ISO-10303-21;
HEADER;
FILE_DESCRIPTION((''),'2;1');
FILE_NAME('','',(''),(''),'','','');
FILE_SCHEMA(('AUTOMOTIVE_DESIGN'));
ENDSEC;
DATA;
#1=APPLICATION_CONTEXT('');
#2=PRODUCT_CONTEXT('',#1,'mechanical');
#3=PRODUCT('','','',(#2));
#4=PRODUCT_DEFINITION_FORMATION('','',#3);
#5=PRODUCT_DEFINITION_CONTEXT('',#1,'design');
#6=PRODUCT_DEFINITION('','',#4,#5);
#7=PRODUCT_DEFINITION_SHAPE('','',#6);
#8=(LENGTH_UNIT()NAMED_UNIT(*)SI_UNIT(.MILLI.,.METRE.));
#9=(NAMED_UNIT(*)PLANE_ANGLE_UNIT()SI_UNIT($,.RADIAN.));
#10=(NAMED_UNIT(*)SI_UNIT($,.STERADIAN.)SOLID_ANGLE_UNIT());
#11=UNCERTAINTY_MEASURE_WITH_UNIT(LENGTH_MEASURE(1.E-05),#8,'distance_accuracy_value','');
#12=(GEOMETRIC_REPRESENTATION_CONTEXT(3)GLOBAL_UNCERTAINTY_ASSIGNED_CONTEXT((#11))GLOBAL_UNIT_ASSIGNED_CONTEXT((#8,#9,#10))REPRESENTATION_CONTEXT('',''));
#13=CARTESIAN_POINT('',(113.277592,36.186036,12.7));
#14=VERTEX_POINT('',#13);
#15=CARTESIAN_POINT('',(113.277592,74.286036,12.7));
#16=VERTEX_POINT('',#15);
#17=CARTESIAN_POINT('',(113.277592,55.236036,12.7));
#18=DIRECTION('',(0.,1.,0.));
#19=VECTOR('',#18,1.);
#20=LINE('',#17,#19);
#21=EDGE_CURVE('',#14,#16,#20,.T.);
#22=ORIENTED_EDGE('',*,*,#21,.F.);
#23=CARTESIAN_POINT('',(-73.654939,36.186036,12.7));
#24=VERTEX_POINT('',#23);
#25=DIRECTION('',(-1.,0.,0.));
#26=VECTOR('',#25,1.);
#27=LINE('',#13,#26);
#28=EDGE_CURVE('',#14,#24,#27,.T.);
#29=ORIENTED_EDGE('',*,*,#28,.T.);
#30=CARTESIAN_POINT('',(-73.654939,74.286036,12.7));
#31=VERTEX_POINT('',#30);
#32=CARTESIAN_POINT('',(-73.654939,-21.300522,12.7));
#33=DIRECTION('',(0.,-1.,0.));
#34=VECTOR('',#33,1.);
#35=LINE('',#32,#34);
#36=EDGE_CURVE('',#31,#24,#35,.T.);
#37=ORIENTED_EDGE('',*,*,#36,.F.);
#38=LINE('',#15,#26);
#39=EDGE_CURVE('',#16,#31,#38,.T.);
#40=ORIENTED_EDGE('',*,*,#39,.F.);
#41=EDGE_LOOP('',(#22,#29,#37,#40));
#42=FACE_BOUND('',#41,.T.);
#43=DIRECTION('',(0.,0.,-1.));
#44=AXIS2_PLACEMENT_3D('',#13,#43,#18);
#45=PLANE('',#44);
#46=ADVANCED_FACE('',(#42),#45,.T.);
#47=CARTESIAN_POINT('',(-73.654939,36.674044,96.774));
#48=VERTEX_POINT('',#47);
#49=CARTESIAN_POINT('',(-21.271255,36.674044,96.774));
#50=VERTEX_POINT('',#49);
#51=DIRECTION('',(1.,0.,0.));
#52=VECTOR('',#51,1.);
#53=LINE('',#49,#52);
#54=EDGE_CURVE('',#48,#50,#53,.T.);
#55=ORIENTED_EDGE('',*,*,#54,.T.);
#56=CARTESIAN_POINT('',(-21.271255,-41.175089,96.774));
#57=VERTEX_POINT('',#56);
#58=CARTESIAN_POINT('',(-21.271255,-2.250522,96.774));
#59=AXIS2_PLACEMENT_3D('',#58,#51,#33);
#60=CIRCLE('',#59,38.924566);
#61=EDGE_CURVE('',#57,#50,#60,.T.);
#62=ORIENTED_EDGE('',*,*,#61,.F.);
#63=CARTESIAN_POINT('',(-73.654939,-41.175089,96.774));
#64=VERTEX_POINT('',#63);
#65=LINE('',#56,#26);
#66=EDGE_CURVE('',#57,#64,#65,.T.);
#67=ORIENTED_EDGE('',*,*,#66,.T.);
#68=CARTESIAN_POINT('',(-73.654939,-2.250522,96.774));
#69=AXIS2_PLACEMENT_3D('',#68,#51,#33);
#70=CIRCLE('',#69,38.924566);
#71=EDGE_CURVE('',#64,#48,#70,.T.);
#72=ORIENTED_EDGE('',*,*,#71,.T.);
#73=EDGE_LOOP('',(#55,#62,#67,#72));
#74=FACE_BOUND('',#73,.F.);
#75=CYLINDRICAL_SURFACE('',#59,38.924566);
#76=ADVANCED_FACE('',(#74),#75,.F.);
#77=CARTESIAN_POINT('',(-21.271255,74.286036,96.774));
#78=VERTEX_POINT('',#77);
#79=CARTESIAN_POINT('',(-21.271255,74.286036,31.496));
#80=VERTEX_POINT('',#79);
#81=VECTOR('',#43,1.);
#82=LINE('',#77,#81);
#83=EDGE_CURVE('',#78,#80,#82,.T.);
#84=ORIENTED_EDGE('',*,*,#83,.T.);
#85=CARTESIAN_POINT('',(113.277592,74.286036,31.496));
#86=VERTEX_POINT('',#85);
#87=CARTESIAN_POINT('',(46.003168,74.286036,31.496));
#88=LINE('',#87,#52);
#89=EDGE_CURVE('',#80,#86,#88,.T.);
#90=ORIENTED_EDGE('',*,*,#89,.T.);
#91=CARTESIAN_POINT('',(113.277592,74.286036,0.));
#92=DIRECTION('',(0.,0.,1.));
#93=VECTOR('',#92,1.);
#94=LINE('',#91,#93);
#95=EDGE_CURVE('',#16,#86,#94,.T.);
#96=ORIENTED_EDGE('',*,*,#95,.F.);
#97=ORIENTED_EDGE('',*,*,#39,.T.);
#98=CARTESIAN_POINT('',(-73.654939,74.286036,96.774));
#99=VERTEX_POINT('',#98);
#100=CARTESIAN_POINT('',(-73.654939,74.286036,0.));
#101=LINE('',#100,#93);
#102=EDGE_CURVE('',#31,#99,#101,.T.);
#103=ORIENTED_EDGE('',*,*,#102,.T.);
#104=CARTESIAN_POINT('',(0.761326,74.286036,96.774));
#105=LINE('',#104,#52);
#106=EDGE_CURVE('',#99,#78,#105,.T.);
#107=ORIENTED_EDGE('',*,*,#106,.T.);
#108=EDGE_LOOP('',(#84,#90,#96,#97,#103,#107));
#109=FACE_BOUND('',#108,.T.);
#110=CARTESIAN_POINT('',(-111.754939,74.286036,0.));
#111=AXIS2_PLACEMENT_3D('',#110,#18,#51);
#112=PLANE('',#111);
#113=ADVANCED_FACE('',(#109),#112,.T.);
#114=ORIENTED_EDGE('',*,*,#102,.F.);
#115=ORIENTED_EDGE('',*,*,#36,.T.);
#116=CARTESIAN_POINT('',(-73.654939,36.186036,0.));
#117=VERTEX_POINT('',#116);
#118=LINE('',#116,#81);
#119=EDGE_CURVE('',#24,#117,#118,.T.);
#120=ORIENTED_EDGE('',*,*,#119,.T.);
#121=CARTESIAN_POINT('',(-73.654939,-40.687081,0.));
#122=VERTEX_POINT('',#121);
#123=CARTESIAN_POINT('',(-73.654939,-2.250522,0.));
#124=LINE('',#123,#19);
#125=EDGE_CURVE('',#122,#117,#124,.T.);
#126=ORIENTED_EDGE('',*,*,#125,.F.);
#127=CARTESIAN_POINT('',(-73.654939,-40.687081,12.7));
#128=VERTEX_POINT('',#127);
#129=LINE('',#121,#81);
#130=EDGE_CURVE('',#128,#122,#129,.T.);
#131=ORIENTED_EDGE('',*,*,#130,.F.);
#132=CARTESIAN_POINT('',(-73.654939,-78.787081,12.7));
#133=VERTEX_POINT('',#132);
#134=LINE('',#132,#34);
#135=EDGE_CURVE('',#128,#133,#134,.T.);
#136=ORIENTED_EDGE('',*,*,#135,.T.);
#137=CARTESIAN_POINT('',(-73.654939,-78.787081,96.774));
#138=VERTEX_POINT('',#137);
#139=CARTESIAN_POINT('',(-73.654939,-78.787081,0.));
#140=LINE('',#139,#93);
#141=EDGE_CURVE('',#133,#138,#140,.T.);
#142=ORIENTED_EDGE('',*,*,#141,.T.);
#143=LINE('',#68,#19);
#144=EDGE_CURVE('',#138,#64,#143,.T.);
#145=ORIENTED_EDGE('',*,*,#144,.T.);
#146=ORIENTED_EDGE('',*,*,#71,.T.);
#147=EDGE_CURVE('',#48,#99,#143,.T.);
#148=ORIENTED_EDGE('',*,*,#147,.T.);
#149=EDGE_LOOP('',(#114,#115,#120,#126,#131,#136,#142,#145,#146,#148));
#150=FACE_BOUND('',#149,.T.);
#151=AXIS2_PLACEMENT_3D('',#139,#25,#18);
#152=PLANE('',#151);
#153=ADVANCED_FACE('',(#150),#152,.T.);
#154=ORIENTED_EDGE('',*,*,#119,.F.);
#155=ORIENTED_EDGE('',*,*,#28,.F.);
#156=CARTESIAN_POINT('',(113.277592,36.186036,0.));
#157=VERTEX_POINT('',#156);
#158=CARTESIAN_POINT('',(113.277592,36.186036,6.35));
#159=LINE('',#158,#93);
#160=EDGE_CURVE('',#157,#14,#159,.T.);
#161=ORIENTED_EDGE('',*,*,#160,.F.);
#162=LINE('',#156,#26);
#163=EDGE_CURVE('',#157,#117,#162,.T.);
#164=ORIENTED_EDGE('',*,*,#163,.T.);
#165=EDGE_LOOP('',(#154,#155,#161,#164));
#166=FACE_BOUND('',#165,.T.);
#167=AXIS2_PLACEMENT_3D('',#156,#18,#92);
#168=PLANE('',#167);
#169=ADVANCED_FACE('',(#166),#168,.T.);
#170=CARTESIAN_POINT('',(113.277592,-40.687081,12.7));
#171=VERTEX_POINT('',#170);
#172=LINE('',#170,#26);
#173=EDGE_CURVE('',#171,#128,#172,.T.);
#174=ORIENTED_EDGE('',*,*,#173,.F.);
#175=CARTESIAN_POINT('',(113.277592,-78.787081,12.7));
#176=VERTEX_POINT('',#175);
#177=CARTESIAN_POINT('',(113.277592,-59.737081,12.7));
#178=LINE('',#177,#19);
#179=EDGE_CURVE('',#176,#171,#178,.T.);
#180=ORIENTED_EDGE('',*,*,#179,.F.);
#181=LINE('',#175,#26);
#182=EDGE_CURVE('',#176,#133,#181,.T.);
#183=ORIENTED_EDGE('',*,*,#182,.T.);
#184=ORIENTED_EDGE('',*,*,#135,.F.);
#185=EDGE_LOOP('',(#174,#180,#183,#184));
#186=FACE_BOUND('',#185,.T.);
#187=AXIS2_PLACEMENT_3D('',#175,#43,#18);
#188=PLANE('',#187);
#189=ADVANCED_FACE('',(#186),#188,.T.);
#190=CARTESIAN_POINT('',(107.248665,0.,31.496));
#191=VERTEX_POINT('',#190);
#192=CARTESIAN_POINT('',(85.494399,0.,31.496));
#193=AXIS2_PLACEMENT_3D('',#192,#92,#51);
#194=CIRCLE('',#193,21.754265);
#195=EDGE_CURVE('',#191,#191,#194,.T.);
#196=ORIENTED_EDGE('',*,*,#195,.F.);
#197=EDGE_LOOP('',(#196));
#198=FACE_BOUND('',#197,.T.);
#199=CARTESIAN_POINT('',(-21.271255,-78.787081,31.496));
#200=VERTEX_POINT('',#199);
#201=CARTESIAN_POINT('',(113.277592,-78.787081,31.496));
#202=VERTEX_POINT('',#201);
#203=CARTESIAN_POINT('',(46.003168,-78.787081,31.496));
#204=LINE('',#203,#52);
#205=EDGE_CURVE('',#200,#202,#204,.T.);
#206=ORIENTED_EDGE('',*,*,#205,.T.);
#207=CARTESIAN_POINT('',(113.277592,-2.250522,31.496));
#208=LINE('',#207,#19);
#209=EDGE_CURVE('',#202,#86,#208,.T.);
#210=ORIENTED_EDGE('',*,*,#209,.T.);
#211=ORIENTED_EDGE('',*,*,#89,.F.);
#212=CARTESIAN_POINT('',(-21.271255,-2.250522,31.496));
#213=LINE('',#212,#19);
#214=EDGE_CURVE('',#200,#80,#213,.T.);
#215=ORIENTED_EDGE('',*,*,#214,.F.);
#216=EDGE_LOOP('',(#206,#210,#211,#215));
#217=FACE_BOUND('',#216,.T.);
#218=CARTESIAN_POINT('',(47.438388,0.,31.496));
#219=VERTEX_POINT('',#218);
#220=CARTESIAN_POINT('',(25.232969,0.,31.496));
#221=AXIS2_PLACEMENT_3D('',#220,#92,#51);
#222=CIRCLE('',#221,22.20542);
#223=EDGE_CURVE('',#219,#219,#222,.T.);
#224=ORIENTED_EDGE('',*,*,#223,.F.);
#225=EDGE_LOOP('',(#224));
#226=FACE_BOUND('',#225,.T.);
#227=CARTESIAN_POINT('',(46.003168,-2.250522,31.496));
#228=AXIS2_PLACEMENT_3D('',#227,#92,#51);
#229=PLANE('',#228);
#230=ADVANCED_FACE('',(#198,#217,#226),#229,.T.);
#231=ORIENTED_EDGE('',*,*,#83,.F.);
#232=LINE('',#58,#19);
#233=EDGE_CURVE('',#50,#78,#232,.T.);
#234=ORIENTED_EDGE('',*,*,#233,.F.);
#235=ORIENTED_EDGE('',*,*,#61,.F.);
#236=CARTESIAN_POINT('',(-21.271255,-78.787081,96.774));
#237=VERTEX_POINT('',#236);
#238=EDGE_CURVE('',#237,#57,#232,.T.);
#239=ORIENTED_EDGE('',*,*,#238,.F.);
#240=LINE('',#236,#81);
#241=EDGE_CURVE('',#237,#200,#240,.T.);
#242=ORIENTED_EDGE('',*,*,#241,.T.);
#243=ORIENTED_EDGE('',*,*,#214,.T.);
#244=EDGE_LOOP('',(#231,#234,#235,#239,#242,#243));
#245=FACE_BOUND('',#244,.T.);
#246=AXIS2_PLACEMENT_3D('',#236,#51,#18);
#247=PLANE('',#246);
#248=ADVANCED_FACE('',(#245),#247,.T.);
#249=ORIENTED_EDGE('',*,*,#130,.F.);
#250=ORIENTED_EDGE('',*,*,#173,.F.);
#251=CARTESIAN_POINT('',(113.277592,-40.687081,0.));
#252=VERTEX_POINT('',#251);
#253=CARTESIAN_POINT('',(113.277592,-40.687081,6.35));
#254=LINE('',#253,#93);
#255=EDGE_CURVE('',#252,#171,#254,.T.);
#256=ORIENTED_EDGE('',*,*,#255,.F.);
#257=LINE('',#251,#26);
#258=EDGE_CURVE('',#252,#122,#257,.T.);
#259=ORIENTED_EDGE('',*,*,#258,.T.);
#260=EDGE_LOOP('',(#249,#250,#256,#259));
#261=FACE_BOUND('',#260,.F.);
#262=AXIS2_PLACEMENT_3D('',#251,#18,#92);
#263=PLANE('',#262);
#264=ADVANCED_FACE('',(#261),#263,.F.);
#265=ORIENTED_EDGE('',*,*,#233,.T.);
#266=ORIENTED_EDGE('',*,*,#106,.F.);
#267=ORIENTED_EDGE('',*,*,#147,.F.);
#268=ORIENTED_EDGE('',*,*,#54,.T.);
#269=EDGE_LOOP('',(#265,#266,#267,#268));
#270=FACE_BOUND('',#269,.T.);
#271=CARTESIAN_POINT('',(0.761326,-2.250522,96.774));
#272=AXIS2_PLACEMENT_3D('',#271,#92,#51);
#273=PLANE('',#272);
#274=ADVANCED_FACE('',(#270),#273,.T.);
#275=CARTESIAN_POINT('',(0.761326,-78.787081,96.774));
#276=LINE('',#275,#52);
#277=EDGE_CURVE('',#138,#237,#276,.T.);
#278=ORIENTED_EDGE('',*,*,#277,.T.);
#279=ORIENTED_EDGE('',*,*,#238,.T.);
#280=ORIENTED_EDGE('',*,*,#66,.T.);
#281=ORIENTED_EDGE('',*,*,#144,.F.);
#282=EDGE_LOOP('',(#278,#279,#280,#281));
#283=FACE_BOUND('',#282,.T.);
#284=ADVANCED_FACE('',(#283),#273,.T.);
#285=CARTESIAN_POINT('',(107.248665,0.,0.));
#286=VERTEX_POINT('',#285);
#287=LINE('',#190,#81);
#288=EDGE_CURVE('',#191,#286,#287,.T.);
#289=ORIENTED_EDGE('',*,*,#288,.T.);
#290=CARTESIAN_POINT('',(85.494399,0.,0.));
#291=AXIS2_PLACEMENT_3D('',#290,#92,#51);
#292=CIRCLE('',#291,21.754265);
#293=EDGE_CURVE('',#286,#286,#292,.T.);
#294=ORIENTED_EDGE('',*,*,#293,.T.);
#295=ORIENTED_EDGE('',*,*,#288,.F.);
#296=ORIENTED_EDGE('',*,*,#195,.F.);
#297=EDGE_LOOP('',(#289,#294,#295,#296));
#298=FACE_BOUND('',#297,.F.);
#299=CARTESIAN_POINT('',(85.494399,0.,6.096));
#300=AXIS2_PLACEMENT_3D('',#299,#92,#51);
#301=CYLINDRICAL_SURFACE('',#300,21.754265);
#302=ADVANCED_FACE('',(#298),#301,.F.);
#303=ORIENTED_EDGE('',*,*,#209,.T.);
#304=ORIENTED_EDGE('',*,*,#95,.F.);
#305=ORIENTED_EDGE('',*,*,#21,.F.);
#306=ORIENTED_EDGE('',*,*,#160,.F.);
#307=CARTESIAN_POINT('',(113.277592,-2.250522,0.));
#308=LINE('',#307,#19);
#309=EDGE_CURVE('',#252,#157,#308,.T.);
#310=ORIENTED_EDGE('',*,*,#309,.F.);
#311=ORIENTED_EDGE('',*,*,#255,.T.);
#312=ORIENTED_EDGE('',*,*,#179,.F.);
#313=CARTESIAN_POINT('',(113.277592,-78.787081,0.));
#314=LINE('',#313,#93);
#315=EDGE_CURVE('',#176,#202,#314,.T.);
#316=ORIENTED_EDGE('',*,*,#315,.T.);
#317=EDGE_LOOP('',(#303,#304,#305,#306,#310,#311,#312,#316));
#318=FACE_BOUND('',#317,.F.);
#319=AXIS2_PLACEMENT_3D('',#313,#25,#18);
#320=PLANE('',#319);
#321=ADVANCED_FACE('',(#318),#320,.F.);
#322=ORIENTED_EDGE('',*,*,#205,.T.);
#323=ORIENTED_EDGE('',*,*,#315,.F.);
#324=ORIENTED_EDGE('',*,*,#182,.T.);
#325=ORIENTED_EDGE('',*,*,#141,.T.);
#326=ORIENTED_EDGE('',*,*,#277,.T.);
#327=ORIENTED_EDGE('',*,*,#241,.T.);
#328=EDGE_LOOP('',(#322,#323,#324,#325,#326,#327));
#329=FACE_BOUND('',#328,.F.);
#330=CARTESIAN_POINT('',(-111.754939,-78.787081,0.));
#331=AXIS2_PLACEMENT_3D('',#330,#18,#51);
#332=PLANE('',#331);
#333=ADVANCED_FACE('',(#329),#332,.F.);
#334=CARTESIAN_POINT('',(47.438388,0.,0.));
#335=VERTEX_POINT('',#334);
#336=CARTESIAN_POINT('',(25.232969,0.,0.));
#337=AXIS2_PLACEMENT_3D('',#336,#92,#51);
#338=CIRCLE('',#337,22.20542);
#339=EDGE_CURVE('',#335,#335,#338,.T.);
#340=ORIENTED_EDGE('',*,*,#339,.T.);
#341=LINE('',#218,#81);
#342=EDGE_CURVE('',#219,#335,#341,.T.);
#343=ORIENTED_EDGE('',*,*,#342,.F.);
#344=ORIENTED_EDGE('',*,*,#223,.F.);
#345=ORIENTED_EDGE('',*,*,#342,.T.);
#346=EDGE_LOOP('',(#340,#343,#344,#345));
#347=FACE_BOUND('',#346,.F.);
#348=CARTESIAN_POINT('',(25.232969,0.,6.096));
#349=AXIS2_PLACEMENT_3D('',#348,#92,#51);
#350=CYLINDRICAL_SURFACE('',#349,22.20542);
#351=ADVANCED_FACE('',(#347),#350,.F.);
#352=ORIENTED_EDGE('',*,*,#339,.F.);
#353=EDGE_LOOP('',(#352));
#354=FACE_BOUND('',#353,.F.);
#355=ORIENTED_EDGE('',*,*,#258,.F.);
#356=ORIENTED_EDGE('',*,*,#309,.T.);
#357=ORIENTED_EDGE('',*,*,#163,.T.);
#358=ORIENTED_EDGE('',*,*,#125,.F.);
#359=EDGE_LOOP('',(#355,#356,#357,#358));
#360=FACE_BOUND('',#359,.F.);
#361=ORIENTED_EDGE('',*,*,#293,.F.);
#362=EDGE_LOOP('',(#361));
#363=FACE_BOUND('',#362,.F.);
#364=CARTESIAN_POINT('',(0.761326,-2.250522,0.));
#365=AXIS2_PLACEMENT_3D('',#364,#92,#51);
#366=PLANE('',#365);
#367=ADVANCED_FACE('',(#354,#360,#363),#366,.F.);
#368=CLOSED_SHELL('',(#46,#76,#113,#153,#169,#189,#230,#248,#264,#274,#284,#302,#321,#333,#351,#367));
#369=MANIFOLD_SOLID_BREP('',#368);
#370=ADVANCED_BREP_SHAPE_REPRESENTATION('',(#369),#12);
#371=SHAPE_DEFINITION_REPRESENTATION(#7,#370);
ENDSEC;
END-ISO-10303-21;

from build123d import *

# Parameters (mm, degrees)
F0_W      = 225.032530725
F0_H      = 153.073117137
F1_DEPTH  = 96.774
F2_W      = 134.5488466322
F2_H      = 153.073117137
F3_DEPTH  = 65.278
F4_R      = 22.2054195917
F4_R_2    = 21.7542654634
F5_DEPTH  = 25.4
F6_DEPTH  = 55.372
F7_W      = 38.1
F7_H      = 12.7
F8_DEPTH  = 261.874
F10_DEPTH = 107.188
F11_DEPTH = 38.1


with BuildPart() as f1:
    # F0 (on Top) → F1 (new body)
    with BuildSketch(Plane.XY):
        with Locations((0.7613264024, -2.2505223751)):
            Rectangle(F0_W, F0_H)
    extrude(amount=F1_DEPTH)

    # F2 (on face) → F3 (cut)
    with BuildSketch(Plane.XY.offset(96.774)):
        with Locations((46.0031684488, -2.2505223751)):
            Rectangle(F2_W, F2_H)
    extrude(amount=-F3_DEPTH, mode=Mode.SUBTRACT)

    # F4 (on face) → F5 (cut)
    with BuildSketch(Plane.XY.offset(31.496)):
        with Locations((25.2329688519, 0)):
            Circle(F4_R)
        with Locations((85.4943990707, 0)):
            Circle(F4_R_2)
    extrude(amount=-F5_DEPTH, mode=Mode.SUBTRACT)

    # F6 (cut): faces of the model
    f6_faces = [f1.faces().sort_by_distance(p)[0] for p in [
        (25.2329688519, 0, 6.096),
        (85.4943990707, 0, 6.096),
    ]]
    extrude(f6_faces, amount=-F6_DEPTH, mode=Mode.SUBTRACT)

    # F7 (on face) → F8 (cut)
    with BuildSketch(Plane.YZ.offset(113.2775917649)):
        with Locations((-59.7370809436, 6.35)):
            Rectangle(F7_W, F7_H)
        with Locations((55.2360361934, 6.35)):
            Rectangle(F7_W, F7_H)
    extrude(amount=-F8_DEPTH, mode=Mode.SUBTRACT)

    # F9 (on face) → F10 (cut)
    with BuildSketch(Plane.YZ.offset(-21.2712548673)):
        with BuildLine():
            Line((-41.1750888665, 96.774), (36.6740441163, 96.774))
            ThreePointArc((36.6740441163, 96.774), (-2.2505223751, 135.6985664914), (-41.1750888665, 96.774))
        make_face()
        with BuildLine():
            ThreePointArc((-41.1750888665, 96.774), (-2.2505223751, 57.8494335086), (36.6740441163, 96.774))
            Line((36.6740441163, 96.774), (-41.1750888665, 96.774))
        make_face()
    extrude(amount=-F10_DEPTH, mode=Mode.SUBTRACT)

    # F11 (cut): a face of the model
    f11_faces = [f1.faces().sort_by_distance(p)[0] for p in [
        (-111.7549389601, -2.2505223751, 45.3204327958),
    ]]
    extrude(f11_faces, amount=-F11_DEPTH, mode=Mode.SUBTRACT)


solid = f1.part
